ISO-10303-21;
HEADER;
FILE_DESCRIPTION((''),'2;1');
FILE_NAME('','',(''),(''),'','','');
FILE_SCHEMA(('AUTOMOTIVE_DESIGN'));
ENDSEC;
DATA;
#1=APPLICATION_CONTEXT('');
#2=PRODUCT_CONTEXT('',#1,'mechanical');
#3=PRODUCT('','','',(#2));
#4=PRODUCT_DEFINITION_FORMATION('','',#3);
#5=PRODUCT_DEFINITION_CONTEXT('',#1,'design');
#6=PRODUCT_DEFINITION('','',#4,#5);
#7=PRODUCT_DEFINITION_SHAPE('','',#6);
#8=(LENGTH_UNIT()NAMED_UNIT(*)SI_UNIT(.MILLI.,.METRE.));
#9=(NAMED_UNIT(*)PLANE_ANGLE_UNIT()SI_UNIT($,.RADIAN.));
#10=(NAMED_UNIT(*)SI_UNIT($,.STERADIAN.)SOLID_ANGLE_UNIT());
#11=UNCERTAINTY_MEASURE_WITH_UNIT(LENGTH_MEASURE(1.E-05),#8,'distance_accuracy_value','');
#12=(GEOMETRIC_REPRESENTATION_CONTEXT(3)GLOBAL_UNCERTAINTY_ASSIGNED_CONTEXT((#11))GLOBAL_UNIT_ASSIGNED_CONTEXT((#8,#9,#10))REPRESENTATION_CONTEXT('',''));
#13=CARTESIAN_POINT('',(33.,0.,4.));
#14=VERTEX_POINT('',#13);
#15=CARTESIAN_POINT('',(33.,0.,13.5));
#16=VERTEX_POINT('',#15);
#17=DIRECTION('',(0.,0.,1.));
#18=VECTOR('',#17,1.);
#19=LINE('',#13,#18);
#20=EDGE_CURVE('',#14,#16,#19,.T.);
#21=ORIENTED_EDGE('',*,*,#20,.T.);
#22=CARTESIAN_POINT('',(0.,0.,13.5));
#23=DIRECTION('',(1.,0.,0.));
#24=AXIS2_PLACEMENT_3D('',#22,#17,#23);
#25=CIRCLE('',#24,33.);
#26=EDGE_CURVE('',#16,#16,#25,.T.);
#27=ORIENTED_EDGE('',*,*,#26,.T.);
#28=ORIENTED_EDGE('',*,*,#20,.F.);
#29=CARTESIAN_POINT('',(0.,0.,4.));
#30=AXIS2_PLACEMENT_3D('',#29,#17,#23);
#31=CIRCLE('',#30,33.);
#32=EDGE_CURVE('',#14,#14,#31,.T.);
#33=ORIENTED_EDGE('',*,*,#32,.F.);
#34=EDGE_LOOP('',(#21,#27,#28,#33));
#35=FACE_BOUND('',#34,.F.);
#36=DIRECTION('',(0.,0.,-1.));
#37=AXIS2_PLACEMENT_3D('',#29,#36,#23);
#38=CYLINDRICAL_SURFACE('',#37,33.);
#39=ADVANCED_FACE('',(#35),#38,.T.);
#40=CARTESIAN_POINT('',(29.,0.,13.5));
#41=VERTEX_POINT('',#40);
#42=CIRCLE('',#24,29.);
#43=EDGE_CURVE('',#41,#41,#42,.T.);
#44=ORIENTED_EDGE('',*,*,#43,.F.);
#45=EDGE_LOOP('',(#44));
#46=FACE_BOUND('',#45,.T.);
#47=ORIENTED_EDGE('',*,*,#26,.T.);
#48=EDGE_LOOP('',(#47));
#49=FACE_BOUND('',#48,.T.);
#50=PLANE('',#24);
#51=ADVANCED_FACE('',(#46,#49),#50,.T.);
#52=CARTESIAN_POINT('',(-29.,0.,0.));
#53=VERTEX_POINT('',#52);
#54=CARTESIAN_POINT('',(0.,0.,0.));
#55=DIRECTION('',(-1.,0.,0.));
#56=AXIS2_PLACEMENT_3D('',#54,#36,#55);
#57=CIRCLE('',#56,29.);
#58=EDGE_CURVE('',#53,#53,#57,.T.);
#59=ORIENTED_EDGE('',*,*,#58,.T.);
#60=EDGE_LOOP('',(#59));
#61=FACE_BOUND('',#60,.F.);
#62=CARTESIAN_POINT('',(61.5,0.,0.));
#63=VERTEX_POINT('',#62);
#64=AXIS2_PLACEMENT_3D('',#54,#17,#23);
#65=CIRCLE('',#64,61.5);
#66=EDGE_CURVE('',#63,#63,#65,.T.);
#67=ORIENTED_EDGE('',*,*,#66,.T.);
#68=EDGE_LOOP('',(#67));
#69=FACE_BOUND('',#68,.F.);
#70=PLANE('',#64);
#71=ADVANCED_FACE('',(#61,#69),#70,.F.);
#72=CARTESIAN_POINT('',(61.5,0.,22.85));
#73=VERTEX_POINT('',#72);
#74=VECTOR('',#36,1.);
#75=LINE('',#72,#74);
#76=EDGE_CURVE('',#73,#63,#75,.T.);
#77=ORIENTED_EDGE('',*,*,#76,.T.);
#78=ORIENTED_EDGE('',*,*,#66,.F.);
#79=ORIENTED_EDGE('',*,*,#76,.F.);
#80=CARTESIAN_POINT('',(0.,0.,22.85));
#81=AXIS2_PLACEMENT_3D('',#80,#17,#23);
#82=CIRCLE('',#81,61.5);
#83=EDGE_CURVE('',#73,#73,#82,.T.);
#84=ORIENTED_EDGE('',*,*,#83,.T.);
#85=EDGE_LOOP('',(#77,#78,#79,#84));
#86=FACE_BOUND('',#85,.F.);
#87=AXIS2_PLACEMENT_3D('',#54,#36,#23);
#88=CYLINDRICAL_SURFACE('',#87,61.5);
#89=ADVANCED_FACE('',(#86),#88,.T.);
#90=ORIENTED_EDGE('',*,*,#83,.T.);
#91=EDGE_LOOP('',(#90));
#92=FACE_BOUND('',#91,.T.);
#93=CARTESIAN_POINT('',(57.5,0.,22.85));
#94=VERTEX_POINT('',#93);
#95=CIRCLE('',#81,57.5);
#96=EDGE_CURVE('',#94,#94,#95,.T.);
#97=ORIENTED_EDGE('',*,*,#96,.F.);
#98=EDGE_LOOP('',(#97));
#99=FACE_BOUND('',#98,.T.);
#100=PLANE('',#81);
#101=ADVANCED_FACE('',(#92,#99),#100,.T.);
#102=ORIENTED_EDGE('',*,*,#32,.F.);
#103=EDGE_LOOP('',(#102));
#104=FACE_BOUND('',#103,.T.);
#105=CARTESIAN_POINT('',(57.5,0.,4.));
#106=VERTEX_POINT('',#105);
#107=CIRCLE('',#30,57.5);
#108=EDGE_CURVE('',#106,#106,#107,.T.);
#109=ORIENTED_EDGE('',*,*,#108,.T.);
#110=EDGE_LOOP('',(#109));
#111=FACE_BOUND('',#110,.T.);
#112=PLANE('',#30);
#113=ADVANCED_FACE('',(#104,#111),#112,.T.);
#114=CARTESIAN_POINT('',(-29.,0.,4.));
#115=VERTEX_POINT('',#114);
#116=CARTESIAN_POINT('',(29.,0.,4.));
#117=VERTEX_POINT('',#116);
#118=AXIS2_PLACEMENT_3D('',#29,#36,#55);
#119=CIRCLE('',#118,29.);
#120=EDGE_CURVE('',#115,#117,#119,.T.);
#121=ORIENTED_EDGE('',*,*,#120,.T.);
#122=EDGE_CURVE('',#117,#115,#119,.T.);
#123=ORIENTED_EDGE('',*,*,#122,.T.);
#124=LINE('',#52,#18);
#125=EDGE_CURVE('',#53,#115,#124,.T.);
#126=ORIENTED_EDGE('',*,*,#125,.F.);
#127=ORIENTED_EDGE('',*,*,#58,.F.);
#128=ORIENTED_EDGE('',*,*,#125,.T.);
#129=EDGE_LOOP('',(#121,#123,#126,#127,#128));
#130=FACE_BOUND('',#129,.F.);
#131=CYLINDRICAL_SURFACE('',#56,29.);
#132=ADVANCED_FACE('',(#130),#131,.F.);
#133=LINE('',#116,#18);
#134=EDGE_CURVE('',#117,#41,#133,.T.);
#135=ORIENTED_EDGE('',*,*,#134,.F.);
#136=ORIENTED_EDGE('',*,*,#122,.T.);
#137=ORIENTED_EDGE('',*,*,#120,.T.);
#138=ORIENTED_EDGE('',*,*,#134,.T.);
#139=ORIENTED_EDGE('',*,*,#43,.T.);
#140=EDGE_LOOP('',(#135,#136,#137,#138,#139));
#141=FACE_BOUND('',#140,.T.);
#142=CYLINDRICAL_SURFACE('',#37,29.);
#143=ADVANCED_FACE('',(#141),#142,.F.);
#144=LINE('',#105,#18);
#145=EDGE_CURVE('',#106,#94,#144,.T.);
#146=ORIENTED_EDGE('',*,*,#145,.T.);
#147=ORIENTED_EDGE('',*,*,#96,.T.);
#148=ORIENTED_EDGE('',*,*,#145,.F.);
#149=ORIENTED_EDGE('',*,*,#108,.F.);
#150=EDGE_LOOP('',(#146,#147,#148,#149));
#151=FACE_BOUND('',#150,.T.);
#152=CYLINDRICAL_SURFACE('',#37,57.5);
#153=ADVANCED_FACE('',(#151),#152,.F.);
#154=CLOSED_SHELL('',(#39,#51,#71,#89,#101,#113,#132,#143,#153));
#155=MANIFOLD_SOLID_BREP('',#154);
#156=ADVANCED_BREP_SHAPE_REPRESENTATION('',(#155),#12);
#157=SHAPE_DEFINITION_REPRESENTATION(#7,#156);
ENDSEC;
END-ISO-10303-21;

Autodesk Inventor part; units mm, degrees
ref_plane "YZ Plane" through (0, 0, 0) normal (1, 0, 0) x (0, 1, 0)
ref_plane "XZ Plane" through (0, 0, 0) normal (0, 1, 0) x (-1, 0, 0)
ref_plane "XY Plane" through (0, 0, 0) normal (0, 0, 1) x (1, 0, 0)
sketch "Sketch1" plane through (0, 0, 0) normal (0, 0, 1) x (1, 0, 0)
  circle A0 centre (0, 0) radius 61.5
  dimension "d0" = 123
extrude "Extrusion1" add sketch "Sketch1" along normal blind 4
sketch "Sketch2" plane through (0, 0, 4) normal (0, 0, 1) x (1, 0, 0)
  circle A0 centre (0, 0) radius 61.5 projected
  circle A1 centre (0, 0) radius 57.5
  dimension "d12" = 115
extrude "Extrusion2" add sketch "Sketch2" along normal blind 18.85
sketch "Sketch3" plane through (0, 0, 0) normal (0, 0, -1) x (-1, 0, 0)
  circle A0 centre (0, 0) radius 29
  dimension "d6" = 58
extrude "Extrusion3" cut sketch "Sketch3" against normal through all
sketch "Sketch4" plane through (0, 0, 4) normal (0, 0, 1) x (1, 0, 0)
  circle A0 centre (0, 0) radius 29 projected
  circle A1 centre (0, 0) radius 33
  dimension "d9" = 4
extrude "Extrusion4" add sketch "Sketch4" along normal blind 9.5
properties part number "stator_housing"
